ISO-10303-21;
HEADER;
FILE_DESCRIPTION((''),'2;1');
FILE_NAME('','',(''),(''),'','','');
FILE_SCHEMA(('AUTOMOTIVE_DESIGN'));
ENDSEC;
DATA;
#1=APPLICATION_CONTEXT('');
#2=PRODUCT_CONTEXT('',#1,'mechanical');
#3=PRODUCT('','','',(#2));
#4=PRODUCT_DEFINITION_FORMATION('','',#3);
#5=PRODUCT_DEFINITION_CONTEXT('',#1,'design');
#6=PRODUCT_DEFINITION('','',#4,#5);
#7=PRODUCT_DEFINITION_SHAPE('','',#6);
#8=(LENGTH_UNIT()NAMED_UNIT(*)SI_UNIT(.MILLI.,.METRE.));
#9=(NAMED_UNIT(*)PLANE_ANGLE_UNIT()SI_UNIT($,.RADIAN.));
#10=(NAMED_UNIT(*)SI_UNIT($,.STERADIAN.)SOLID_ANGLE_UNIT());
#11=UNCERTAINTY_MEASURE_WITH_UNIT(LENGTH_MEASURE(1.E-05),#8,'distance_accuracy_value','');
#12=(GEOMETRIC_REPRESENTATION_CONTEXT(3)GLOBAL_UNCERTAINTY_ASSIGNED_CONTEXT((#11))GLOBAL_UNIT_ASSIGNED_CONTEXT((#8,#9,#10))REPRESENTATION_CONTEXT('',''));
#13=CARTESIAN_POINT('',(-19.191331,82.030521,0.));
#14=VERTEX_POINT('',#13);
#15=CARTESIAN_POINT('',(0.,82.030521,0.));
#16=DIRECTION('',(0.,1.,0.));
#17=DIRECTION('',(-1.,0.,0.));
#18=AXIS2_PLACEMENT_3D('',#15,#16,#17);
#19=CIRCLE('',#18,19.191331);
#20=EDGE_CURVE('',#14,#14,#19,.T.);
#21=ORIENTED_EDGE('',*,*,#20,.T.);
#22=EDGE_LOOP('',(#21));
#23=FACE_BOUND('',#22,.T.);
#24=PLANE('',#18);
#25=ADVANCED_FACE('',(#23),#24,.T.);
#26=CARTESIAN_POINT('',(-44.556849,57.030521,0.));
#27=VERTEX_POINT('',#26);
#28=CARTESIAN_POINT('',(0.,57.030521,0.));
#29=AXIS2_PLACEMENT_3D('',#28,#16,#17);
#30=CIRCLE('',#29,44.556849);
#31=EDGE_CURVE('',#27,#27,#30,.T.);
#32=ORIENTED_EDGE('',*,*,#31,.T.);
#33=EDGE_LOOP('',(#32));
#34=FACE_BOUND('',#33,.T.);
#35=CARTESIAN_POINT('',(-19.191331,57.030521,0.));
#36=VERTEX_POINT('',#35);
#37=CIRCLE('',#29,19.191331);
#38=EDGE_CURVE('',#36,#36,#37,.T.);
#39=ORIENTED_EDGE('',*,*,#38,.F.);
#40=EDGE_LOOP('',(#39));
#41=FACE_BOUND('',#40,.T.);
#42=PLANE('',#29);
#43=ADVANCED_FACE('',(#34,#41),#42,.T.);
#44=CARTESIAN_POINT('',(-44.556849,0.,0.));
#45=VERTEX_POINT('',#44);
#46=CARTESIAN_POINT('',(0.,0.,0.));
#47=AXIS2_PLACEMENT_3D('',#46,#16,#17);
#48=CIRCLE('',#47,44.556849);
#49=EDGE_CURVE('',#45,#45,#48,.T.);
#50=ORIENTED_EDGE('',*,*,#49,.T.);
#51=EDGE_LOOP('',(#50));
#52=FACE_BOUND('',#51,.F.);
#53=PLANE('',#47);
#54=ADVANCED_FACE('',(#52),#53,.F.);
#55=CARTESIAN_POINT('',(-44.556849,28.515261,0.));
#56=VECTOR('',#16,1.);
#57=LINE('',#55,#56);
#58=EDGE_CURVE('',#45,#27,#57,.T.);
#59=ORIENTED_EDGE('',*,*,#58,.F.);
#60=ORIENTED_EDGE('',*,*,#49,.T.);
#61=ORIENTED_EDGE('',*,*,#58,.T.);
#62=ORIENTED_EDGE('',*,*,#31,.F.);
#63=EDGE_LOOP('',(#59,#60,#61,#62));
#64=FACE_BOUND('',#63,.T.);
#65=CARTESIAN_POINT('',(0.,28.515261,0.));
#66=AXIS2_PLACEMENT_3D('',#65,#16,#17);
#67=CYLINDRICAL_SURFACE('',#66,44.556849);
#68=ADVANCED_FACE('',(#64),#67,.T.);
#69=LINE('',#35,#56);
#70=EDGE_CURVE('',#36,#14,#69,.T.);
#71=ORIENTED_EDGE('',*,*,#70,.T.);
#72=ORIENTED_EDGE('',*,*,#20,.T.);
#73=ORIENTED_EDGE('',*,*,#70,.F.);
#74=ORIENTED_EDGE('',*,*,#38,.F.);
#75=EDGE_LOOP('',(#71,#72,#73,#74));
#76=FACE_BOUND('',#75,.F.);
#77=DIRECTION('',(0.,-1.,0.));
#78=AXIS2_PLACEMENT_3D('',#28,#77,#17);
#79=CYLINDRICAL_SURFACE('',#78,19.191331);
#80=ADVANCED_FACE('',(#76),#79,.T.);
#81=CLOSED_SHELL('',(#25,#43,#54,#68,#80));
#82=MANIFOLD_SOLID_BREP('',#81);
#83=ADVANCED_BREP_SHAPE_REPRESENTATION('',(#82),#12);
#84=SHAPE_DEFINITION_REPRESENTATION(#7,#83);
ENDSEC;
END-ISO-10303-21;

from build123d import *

# Parameters (mm, degrees)
F0_W     = 44.5568487048
F0_H     = 57.0305213332
F2_R     = 19.1913309814
F3_DEPTH = 25


with BuildPart() as f1:
    # F0 (on Top) → F1 (revolve)
    with BuildSketch(Plane.XY):
        with Locations((-22.2784243524, 28.5152606666)):
            Rectangle(F0_W, F0_H)
    revolve(axis=Axis((0, 28.5152606666, 0), (0, 1, 0)))

    # F2 (on face) → F3 (join)
    with BuildSketch(Plane(origin=(0, 57.0305213332, 0), x_dir=(-1, 0, 0), z_dir=(0, 1, 0))):
        Circle(F2_R)
    extrude(amount=F3_DEPTH)


solid = f1.part
